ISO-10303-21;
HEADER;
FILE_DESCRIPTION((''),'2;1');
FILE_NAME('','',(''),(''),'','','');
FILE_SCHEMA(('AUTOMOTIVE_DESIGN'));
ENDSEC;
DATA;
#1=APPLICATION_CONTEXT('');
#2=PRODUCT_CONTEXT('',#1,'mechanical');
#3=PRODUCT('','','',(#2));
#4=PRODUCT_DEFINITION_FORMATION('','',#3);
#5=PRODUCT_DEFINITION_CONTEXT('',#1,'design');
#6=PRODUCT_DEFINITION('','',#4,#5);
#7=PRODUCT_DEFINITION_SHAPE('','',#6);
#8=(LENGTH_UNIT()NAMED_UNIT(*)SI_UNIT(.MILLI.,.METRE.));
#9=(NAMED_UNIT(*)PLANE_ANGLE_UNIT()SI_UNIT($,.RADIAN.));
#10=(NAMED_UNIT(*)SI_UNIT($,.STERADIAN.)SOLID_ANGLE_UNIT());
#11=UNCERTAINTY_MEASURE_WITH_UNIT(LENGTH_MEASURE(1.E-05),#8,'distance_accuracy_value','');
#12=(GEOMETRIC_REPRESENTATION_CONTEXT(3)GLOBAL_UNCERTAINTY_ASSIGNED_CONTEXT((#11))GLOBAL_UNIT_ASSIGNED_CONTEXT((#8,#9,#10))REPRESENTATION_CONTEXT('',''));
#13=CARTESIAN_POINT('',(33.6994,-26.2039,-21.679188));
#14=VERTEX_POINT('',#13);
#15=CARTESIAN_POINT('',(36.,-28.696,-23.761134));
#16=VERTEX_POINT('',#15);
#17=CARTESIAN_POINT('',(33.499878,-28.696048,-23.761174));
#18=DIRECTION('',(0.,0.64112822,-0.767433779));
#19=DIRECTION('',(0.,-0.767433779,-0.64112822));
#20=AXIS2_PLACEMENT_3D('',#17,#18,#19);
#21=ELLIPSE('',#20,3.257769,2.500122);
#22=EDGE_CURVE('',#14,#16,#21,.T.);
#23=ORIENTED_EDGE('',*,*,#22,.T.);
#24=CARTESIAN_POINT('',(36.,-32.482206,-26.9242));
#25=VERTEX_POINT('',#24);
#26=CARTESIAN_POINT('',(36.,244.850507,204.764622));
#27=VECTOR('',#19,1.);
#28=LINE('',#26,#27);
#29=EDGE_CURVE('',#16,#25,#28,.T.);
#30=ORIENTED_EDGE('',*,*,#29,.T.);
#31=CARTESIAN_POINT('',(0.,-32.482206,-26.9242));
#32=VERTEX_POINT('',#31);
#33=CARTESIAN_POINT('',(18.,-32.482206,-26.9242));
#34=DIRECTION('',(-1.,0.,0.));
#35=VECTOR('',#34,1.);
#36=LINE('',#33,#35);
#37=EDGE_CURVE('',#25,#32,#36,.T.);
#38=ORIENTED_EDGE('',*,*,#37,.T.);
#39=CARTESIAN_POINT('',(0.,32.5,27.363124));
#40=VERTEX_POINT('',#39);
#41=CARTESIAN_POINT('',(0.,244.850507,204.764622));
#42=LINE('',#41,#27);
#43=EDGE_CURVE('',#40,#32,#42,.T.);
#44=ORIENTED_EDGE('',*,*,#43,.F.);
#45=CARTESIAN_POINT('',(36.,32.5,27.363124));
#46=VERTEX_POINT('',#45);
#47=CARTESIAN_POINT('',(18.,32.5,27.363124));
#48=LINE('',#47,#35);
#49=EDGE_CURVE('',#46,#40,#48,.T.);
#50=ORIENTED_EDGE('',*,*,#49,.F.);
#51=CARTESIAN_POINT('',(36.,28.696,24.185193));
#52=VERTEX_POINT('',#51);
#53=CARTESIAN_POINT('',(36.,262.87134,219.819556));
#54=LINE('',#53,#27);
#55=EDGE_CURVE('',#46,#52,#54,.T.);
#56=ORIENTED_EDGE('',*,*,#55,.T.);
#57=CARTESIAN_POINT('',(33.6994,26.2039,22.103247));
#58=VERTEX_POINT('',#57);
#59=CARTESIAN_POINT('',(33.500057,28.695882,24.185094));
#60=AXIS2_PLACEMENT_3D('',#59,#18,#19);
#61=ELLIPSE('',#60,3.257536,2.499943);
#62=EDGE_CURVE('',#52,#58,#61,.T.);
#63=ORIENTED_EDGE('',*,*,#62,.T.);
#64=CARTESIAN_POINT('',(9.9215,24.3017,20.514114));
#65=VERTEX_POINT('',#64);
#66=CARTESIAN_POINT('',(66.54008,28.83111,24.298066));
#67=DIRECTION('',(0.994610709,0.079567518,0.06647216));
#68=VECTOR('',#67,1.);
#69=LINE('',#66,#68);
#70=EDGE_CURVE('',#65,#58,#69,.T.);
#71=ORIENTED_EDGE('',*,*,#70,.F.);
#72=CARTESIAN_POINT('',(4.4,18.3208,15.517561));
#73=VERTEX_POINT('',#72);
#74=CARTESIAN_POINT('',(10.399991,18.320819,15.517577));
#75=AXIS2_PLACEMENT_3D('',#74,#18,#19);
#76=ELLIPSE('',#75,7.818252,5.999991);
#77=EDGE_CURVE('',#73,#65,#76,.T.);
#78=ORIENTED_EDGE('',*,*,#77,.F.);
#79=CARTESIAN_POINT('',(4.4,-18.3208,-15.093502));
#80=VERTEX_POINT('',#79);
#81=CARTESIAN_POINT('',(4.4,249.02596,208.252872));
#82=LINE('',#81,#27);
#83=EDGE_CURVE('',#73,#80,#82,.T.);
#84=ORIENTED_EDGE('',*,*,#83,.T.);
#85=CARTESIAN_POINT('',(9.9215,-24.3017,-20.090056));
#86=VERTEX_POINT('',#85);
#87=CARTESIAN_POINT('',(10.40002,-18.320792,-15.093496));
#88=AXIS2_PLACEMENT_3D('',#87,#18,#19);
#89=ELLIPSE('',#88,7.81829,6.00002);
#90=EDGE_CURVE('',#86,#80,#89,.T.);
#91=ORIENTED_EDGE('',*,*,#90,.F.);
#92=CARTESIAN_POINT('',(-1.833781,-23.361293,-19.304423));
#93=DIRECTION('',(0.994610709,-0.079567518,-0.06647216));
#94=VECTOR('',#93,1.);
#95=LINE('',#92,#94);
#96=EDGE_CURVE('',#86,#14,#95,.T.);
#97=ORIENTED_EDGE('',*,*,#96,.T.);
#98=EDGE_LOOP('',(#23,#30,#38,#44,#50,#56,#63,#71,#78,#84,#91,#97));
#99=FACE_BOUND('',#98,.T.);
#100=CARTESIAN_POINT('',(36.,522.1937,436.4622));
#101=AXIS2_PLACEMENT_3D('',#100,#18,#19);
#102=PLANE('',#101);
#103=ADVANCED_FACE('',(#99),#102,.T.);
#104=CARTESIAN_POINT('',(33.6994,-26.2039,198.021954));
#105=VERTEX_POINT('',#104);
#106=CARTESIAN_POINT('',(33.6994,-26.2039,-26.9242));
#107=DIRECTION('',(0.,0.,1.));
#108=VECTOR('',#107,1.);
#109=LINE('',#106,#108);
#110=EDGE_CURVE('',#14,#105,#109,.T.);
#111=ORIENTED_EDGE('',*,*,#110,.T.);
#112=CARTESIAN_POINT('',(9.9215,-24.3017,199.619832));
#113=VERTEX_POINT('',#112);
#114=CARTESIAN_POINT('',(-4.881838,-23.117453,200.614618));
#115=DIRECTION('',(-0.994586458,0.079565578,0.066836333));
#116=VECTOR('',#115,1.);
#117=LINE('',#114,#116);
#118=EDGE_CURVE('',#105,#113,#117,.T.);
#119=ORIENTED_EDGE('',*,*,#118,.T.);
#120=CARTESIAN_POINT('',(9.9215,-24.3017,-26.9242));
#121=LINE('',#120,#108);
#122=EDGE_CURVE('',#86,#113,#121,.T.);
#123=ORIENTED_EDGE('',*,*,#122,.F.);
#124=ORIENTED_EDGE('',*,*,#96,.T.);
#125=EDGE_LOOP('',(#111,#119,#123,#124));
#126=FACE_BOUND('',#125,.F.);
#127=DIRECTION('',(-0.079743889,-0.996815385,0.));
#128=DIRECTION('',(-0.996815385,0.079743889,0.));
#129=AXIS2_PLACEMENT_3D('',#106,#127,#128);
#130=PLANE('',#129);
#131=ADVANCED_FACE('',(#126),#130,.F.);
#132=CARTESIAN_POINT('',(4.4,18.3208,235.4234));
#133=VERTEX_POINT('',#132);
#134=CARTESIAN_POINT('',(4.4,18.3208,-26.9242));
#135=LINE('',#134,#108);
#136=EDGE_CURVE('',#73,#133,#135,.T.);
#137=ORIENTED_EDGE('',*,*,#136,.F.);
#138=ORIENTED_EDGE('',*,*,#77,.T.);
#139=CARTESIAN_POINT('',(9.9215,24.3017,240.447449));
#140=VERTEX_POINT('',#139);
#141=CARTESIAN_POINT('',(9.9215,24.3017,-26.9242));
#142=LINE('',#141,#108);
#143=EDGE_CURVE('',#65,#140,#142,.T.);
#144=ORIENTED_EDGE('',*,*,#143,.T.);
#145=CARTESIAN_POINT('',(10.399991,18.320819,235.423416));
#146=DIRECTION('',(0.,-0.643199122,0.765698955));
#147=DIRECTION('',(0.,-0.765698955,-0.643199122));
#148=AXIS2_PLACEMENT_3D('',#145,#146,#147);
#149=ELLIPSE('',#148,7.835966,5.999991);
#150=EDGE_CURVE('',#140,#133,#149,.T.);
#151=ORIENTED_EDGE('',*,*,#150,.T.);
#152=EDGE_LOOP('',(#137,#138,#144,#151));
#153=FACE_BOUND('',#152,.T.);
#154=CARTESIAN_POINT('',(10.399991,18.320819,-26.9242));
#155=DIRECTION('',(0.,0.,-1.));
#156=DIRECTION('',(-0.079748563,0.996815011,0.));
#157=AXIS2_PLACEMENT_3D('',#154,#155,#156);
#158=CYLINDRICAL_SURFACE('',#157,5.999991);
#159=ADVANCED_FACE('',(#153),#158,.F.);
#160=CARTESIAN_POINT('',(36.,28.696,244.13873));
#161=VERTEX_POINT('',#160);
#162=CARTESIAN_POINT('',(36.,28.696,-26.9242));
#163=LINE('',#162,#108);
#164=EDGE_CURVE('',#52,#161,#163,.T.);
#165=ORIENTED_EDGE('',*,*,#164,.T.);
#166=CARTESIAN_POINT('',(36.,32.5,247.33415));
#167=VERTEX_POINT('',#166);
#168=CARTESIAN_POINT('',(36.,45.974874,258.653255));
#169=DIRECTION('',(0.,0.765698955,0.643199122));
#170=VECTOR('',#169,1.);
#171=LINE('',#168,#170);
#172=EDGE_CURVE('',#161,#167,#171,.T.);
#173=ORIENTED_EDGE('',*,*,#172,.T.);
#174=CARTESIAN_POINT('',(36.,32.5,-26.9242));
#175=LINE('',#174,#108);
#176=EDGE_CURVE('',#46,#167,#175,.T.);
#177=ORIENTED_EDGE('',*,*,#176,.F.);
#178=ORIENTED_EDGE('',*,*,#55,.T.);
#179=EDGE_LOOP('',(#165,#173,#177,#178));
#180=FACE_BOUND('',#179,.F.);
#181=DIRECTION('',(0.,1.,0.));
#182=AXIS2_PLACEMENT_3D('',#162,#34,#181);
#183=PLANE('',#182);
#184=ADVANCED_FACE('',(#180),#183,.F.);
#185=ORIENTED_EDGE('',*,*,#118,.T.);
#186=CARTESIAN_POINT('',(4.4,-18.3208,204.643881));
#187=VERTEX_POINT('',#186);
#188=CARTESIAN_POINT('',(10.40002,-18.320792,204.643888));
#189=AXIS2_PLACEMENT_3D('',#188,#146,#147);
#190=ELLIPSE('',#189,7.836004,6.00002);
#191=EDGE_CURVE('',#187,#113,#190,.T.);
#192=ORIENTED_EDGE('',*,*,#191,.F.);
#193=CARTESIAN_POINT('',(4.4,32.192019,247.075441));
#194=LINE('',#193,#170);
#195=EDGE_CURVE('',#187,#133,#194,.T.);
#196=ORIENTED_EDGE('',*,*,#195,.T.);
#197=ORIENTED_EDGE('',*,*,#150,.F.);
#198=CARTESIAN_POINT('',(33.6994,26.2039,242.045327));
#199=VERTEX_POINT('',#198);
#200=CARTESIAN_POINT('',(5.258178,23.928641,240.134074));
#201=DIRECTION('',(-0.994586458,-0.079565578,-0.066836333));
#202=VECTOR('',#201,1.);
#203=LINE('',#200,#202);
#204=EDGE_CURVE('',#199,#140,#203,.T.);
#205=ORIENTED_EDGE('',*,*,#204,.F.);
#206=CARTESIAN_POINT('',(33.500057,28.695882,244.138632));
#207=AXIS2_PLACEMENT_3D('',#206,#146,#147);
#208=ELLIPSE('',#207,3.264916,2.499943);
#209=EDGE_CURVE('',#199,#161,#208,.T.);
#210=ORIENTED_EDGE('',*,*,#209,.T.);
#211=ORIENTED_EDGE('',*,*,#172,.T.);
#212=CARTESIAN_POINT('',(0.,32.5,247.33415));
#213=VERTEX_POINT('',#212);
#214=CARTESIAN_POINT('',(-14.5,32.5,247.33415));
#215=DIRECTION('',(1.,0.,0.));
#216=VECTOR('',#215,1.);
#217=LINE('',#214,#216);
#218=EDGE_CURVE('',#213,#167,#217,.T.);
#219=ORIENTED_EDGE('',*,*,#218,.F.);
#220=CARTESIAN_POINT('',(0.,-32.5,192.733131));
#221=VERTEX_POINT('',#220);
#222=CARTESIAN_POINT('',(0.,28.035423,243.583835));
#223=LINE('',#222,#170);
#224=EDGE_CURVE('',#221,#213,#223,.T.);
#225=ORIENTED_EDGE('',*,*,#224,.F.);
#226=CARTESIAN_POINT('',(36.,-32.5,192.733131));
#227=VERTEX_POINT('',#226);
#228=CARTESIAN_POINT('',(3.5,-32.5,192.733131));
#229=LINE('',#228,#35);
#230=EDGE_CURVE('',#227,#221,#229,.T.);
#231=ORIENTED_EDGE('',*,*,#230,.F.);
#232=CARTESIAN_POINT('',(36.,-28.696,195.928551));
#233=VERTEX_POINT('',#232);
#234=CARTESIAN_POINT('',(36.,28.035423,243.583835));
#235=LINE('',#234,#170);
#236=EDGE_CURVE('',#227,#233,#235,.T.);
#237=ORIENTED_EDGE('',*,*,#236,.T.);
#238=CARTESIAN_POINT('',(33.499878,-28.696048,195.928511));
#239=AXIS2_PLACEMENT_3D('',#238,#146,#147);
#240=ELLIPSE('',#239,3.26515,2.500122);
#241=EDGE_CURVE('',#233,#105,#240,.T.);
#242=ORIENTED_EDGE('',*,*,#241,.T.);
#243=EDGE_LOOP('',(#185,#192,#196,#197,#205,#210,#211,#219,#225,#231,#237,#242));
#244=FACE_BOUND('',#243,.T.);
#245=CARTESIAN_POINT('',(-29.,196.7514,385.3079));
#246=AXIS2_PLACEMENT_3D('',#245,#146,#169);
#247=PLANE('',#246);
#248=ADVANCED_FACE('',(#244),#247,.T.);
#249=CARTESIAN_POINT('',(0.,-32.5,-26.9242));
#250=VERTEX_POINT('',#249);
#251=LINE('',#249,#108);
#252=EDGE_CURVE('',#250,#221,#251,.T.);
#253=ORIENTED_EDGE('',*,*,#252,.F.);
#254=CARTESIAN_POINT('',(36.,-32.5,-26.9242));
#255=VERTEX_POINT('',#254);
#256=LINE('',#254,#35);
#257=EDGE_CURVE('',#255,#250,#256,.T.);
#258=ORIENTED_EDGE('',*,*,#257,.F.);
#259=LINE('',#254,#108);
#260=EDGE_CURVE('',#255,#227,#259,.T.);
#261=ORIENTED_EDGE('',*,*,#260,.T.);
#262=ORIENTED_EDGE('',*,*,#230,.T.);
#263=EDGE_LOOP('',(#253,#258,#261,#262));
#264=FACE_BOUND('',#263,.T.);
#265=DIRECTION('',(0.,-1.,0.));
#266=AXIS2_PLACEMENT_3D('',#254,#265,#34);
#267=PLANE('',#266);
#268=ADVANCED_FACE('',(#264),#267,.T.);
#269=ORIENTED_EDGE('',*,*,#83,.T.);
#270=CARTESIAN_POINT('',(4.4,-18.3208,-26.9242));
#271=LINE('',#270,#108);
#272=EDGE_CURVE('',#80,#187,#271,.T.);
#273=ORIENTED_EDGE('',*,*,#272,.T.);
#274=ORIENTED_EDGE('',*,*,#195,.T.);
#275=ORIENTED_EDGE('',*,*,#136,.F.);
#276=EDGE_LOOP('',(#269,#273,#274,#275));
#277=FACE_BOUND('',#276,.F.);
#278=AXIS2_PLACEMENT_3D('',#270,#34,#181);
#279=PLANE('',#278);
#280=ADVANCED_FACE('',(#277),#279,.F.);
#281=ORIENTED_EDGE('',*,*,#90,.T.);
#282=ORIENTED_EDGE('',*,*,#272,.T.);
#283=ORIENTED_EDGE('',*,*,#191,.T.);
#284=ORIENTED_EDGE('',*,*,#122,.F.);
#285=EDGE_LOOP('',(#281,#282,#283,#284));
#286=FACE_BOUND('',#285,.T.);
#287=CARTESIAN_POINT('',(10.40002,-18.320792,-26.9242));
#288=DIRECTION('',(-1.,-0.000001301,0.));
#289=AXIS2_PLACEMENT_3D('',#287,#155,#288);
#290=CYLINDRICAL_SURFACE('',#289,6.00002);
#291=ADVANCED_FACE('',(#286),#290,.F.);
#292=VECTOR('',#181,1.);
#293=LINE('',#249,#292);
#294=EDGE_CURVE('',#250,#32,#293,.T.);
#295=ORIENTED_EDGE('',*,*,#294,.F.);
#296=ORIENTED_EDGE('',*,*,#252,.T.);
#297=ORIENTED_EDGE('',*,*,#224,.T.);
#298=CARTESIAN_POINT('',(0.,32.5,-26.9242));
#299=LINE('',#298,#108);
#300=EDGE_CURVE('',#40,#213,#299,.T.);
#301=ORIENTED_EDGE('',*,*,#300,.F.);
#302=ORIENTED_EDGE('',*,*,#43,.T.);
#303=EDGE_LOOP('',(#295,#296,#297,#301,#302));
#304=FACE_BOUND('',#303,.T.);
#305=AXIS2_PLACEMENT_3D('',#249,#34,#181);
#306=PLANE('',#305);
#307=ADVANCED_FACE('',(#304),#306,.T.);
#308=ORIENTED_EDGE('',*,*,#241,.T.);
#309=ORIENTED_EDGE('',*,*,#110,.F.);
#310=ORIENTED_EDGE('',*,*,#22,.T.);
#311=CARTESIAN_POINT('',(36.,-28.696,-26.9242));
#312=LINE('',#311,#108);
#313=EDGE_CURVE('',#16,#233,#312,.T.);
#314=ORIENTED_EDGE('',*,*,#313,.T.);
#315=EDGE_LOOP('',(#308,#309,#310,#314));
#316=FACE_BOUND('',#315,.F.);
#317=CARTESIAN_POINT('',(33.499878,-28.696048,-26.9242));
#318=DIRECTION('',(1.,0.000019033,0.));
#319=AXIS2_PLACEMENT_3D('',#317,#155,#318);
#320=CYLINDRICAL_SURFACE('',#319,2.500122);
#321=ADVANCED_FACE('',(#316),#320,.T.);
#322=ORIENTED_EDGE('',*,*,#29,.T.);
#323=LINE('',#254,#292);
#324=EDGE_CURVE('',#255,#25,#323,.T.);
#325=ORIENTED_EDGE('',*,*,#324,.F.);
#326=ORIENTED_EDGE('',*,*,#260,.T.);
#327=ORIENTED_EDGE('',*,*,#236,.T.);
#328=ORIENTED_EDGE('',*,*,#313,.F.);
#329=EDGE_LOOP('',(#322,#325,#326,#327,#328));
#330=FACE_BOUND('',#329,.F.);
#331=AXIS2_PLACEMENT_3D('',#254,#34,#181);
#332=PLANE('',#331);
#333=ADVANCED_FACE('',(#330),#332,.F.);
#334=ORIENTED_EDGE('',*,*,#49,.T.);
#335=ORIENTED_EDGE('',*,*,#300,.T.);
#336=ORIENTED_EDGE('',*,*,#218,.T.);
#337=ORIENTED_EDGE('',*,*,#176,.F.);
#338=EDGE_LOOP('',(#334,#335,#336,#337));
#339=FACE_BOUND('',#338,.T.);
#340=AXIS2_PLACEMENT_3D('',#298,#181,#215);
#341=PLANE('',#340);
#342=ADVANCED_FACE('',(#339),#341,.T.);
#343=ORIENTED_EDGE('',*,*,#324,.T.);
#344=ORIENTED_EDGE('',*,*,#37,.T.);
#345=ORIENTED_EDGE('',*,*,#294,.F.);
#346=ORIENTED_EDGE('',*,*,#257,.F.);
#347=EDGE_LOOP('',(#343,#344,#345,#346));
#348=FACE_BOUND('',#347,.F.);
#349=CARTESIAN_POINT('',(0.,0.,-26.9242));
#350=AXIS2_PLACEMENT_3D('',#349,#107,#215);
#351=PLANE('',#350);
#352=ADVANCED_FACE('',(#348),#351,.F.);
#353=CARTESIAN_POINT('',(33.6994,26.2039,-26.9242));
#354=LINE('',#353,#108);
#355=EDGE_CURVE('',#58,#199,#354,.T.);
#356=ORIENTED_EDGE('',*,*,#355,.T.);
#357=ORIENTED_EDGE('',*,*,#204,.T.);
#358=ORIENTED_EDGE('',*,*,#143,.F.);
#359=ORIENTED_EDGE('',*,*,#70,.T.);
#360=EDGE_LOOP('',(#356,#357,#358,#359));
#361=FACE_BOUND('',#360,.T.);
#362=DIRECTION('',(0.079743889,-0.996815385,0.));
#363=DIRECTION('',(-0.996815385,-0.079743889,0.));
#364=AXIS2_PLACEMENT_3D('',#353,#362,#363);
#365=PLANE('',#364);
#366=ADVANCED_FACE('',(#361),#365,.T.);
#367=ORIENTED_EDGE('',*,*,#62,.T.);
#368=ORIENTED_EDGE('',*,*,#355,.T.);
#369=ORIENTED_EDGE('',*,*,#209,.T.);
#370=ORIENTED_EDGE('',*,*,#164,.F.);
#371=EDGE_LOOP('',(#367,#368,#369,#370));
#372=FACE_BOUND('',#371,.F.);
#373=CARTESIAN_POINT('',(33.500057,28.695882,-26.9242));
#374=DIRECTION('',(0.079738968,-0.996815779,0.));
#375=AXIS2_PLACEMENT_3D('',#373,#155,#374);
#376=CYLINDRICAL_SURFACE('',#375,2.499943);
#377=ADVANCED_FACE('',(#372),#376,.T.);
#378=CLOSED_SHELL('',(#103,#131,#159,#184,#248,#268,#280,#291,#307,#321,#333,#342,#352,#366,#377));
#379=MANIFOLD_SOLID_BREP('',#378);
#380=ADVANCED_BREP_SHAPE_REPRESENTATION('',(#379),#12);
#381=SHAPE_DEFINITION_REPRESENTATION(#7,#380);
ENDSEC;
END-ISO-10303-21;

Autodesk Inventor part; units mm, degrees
ref_plane "Начальная плоскость" through (0, 0, -26.9242) normal (0, 0, 1) x (1, 0, 0)
ref_plane "Конечная плоскость" through (0, 0, 247.3386) normal (0, 0, 1) x (1, 0, 0)
sketch "Эскиз" plane through (0, 0, 0) normal (0, 0, 1) x (1, 0, 0)
  line L0 (36, -32.5) -> (0, -32.5)
  line L1 (36, -32.5) -> (36, -28.696)
  line L2 (33.6994, -26.2039) -> (9.9215, -24.3017)
  line L3 (4.4, -18.3208) -> (4.4, 18.3208)
  line L4 (33.6994, 26.2039) -> (9.9215, 24.3017)
  line L5 (36, 28.696) -> (36, 32.5)
  line L6 (0, 32.5) -> (36, 32.5)
  line L7 (0, -32.5) -> (0, 32.5)
  arc A0 (4.4, -18.3208) -> (9.9215, -24.3017) centre (10.4, -18.3208) ccw
  arc A1 (9.9215, 24.3017) -> (4.4, 18.3208) centre (10.4, 18.3208) ccw
  arc A2 (36, -28.696) -> (33.6994, -26.2039) centre (33.5, -28.696) ccw
  arc A3 (33.6994, 26.2039) -> (36, 28.696) centre (33.5, 28.696) ccw
  line L8 (0, 45.5) -> (0, -45.5) construction
  line L9 (-7.2974, 0) -> (43.7847, 0) construction
  point P0 (36, -26.388)
  point P1 (4.4, -23.86)
  point P2 (4.4, 23.86)
  point P3 (36, 26.388)
  dimension "d3" = 36
  dimension "d5" = 4.4
  dimension "d7" = 65
  dimension "d9" = 8.64
  dimension "d11" = 8.64
  dimension "d13" = 6.112
  dimension "d15" = 6.112
  dimension "d22" = 6
  dimension "d23" = 2.5
  dimension "d24" = 32.5
  dimension "d25" = 0
extrude "Тело" add sketch "Эскиз" along normal up to surface (274.2628 mm away) from surface at -26.9242
sketch "Sketch3" plane through (0, 0, 0) normal (0, 0, 1) x (1, 0, 0)
  line L0 (0, 0) -> (10, 0)
ref_plane "Work Plane7" through (0, 0, 0) normal (0, -1, 0) x (1, 0, 0)
sketch "Sketch4" plane through (0, 0, 0) normal (0, -1, 0) x (1, 0, 0)
  line L0 (-2, -26.9242) -> (12, -26.9242)
  line L1 (-2, 247.3386) -> (12, 247.3386)
  dimension "d29" = 274.2629
ref_plane "РабПлоскость8" through (-29, 196.7514, 385.3079) normal (0, -0.6432, 0.7657) x (1, 0, 0)
split "Разделение1" plane through (-29, 196.7514, 385.3079) removes the side toward (0, -0.6432, 0.7657)
ref_plane "РабПлоскость9" through (36, 522.1937, 436.4622) normal (0, 0.6411, -0.7674) x (1, 0, 0)
split "Разделение2" plane through (36, 522.1937, 436.4622) removes the side toward (0, 0.6411, -0.7674)
equation "\"d3\" = b"
equation "\"d5\" = t1"
equation "\"d7\" = ParH"
equation "\"d9\" = msp_x1 + t2"
equation "\"d11\" = msp_x1 + t2"
equation "\"d13\" = -msp_x2 + t2"
equation "\"d15\" = -msp_x2 + t2"
equation "\"d22\" = R"
equation "\"d23\" = R1"
equation "\"d24\" = 0.5 * d7"
equation "\"d16\" = G_L"
equation "\"R1\" = 2.5"
equation "\"R\" = 6"
equation "\"t1\" = 4.4"
equation "\"t2\" = 7.2"
equation "\"ParH\" = 65"
equation "\"b\" = 36"
equation "\"msp_x1\" = 0.04 * b"
equation "\"msp_x2\" = -0.08 * t1 + 0.04 * b"
equation "\"G_L\" = d29"
equation "\"ex\" = 0"
equation "\"G_OFFSET_START\" = 26.92422"
equation "\"G_OFFSET_END\" = 27.29963"
equation "\"d26\" = -G_OFFSET_START"
equation "\"d27\" = G_OFFSET_END + B_L"
equation "\"B_L\" = 220.039"
properties part number "Швеллер 6.5U-274,26 ГОСТ 8240-97" material "Сталь, мягкая"
